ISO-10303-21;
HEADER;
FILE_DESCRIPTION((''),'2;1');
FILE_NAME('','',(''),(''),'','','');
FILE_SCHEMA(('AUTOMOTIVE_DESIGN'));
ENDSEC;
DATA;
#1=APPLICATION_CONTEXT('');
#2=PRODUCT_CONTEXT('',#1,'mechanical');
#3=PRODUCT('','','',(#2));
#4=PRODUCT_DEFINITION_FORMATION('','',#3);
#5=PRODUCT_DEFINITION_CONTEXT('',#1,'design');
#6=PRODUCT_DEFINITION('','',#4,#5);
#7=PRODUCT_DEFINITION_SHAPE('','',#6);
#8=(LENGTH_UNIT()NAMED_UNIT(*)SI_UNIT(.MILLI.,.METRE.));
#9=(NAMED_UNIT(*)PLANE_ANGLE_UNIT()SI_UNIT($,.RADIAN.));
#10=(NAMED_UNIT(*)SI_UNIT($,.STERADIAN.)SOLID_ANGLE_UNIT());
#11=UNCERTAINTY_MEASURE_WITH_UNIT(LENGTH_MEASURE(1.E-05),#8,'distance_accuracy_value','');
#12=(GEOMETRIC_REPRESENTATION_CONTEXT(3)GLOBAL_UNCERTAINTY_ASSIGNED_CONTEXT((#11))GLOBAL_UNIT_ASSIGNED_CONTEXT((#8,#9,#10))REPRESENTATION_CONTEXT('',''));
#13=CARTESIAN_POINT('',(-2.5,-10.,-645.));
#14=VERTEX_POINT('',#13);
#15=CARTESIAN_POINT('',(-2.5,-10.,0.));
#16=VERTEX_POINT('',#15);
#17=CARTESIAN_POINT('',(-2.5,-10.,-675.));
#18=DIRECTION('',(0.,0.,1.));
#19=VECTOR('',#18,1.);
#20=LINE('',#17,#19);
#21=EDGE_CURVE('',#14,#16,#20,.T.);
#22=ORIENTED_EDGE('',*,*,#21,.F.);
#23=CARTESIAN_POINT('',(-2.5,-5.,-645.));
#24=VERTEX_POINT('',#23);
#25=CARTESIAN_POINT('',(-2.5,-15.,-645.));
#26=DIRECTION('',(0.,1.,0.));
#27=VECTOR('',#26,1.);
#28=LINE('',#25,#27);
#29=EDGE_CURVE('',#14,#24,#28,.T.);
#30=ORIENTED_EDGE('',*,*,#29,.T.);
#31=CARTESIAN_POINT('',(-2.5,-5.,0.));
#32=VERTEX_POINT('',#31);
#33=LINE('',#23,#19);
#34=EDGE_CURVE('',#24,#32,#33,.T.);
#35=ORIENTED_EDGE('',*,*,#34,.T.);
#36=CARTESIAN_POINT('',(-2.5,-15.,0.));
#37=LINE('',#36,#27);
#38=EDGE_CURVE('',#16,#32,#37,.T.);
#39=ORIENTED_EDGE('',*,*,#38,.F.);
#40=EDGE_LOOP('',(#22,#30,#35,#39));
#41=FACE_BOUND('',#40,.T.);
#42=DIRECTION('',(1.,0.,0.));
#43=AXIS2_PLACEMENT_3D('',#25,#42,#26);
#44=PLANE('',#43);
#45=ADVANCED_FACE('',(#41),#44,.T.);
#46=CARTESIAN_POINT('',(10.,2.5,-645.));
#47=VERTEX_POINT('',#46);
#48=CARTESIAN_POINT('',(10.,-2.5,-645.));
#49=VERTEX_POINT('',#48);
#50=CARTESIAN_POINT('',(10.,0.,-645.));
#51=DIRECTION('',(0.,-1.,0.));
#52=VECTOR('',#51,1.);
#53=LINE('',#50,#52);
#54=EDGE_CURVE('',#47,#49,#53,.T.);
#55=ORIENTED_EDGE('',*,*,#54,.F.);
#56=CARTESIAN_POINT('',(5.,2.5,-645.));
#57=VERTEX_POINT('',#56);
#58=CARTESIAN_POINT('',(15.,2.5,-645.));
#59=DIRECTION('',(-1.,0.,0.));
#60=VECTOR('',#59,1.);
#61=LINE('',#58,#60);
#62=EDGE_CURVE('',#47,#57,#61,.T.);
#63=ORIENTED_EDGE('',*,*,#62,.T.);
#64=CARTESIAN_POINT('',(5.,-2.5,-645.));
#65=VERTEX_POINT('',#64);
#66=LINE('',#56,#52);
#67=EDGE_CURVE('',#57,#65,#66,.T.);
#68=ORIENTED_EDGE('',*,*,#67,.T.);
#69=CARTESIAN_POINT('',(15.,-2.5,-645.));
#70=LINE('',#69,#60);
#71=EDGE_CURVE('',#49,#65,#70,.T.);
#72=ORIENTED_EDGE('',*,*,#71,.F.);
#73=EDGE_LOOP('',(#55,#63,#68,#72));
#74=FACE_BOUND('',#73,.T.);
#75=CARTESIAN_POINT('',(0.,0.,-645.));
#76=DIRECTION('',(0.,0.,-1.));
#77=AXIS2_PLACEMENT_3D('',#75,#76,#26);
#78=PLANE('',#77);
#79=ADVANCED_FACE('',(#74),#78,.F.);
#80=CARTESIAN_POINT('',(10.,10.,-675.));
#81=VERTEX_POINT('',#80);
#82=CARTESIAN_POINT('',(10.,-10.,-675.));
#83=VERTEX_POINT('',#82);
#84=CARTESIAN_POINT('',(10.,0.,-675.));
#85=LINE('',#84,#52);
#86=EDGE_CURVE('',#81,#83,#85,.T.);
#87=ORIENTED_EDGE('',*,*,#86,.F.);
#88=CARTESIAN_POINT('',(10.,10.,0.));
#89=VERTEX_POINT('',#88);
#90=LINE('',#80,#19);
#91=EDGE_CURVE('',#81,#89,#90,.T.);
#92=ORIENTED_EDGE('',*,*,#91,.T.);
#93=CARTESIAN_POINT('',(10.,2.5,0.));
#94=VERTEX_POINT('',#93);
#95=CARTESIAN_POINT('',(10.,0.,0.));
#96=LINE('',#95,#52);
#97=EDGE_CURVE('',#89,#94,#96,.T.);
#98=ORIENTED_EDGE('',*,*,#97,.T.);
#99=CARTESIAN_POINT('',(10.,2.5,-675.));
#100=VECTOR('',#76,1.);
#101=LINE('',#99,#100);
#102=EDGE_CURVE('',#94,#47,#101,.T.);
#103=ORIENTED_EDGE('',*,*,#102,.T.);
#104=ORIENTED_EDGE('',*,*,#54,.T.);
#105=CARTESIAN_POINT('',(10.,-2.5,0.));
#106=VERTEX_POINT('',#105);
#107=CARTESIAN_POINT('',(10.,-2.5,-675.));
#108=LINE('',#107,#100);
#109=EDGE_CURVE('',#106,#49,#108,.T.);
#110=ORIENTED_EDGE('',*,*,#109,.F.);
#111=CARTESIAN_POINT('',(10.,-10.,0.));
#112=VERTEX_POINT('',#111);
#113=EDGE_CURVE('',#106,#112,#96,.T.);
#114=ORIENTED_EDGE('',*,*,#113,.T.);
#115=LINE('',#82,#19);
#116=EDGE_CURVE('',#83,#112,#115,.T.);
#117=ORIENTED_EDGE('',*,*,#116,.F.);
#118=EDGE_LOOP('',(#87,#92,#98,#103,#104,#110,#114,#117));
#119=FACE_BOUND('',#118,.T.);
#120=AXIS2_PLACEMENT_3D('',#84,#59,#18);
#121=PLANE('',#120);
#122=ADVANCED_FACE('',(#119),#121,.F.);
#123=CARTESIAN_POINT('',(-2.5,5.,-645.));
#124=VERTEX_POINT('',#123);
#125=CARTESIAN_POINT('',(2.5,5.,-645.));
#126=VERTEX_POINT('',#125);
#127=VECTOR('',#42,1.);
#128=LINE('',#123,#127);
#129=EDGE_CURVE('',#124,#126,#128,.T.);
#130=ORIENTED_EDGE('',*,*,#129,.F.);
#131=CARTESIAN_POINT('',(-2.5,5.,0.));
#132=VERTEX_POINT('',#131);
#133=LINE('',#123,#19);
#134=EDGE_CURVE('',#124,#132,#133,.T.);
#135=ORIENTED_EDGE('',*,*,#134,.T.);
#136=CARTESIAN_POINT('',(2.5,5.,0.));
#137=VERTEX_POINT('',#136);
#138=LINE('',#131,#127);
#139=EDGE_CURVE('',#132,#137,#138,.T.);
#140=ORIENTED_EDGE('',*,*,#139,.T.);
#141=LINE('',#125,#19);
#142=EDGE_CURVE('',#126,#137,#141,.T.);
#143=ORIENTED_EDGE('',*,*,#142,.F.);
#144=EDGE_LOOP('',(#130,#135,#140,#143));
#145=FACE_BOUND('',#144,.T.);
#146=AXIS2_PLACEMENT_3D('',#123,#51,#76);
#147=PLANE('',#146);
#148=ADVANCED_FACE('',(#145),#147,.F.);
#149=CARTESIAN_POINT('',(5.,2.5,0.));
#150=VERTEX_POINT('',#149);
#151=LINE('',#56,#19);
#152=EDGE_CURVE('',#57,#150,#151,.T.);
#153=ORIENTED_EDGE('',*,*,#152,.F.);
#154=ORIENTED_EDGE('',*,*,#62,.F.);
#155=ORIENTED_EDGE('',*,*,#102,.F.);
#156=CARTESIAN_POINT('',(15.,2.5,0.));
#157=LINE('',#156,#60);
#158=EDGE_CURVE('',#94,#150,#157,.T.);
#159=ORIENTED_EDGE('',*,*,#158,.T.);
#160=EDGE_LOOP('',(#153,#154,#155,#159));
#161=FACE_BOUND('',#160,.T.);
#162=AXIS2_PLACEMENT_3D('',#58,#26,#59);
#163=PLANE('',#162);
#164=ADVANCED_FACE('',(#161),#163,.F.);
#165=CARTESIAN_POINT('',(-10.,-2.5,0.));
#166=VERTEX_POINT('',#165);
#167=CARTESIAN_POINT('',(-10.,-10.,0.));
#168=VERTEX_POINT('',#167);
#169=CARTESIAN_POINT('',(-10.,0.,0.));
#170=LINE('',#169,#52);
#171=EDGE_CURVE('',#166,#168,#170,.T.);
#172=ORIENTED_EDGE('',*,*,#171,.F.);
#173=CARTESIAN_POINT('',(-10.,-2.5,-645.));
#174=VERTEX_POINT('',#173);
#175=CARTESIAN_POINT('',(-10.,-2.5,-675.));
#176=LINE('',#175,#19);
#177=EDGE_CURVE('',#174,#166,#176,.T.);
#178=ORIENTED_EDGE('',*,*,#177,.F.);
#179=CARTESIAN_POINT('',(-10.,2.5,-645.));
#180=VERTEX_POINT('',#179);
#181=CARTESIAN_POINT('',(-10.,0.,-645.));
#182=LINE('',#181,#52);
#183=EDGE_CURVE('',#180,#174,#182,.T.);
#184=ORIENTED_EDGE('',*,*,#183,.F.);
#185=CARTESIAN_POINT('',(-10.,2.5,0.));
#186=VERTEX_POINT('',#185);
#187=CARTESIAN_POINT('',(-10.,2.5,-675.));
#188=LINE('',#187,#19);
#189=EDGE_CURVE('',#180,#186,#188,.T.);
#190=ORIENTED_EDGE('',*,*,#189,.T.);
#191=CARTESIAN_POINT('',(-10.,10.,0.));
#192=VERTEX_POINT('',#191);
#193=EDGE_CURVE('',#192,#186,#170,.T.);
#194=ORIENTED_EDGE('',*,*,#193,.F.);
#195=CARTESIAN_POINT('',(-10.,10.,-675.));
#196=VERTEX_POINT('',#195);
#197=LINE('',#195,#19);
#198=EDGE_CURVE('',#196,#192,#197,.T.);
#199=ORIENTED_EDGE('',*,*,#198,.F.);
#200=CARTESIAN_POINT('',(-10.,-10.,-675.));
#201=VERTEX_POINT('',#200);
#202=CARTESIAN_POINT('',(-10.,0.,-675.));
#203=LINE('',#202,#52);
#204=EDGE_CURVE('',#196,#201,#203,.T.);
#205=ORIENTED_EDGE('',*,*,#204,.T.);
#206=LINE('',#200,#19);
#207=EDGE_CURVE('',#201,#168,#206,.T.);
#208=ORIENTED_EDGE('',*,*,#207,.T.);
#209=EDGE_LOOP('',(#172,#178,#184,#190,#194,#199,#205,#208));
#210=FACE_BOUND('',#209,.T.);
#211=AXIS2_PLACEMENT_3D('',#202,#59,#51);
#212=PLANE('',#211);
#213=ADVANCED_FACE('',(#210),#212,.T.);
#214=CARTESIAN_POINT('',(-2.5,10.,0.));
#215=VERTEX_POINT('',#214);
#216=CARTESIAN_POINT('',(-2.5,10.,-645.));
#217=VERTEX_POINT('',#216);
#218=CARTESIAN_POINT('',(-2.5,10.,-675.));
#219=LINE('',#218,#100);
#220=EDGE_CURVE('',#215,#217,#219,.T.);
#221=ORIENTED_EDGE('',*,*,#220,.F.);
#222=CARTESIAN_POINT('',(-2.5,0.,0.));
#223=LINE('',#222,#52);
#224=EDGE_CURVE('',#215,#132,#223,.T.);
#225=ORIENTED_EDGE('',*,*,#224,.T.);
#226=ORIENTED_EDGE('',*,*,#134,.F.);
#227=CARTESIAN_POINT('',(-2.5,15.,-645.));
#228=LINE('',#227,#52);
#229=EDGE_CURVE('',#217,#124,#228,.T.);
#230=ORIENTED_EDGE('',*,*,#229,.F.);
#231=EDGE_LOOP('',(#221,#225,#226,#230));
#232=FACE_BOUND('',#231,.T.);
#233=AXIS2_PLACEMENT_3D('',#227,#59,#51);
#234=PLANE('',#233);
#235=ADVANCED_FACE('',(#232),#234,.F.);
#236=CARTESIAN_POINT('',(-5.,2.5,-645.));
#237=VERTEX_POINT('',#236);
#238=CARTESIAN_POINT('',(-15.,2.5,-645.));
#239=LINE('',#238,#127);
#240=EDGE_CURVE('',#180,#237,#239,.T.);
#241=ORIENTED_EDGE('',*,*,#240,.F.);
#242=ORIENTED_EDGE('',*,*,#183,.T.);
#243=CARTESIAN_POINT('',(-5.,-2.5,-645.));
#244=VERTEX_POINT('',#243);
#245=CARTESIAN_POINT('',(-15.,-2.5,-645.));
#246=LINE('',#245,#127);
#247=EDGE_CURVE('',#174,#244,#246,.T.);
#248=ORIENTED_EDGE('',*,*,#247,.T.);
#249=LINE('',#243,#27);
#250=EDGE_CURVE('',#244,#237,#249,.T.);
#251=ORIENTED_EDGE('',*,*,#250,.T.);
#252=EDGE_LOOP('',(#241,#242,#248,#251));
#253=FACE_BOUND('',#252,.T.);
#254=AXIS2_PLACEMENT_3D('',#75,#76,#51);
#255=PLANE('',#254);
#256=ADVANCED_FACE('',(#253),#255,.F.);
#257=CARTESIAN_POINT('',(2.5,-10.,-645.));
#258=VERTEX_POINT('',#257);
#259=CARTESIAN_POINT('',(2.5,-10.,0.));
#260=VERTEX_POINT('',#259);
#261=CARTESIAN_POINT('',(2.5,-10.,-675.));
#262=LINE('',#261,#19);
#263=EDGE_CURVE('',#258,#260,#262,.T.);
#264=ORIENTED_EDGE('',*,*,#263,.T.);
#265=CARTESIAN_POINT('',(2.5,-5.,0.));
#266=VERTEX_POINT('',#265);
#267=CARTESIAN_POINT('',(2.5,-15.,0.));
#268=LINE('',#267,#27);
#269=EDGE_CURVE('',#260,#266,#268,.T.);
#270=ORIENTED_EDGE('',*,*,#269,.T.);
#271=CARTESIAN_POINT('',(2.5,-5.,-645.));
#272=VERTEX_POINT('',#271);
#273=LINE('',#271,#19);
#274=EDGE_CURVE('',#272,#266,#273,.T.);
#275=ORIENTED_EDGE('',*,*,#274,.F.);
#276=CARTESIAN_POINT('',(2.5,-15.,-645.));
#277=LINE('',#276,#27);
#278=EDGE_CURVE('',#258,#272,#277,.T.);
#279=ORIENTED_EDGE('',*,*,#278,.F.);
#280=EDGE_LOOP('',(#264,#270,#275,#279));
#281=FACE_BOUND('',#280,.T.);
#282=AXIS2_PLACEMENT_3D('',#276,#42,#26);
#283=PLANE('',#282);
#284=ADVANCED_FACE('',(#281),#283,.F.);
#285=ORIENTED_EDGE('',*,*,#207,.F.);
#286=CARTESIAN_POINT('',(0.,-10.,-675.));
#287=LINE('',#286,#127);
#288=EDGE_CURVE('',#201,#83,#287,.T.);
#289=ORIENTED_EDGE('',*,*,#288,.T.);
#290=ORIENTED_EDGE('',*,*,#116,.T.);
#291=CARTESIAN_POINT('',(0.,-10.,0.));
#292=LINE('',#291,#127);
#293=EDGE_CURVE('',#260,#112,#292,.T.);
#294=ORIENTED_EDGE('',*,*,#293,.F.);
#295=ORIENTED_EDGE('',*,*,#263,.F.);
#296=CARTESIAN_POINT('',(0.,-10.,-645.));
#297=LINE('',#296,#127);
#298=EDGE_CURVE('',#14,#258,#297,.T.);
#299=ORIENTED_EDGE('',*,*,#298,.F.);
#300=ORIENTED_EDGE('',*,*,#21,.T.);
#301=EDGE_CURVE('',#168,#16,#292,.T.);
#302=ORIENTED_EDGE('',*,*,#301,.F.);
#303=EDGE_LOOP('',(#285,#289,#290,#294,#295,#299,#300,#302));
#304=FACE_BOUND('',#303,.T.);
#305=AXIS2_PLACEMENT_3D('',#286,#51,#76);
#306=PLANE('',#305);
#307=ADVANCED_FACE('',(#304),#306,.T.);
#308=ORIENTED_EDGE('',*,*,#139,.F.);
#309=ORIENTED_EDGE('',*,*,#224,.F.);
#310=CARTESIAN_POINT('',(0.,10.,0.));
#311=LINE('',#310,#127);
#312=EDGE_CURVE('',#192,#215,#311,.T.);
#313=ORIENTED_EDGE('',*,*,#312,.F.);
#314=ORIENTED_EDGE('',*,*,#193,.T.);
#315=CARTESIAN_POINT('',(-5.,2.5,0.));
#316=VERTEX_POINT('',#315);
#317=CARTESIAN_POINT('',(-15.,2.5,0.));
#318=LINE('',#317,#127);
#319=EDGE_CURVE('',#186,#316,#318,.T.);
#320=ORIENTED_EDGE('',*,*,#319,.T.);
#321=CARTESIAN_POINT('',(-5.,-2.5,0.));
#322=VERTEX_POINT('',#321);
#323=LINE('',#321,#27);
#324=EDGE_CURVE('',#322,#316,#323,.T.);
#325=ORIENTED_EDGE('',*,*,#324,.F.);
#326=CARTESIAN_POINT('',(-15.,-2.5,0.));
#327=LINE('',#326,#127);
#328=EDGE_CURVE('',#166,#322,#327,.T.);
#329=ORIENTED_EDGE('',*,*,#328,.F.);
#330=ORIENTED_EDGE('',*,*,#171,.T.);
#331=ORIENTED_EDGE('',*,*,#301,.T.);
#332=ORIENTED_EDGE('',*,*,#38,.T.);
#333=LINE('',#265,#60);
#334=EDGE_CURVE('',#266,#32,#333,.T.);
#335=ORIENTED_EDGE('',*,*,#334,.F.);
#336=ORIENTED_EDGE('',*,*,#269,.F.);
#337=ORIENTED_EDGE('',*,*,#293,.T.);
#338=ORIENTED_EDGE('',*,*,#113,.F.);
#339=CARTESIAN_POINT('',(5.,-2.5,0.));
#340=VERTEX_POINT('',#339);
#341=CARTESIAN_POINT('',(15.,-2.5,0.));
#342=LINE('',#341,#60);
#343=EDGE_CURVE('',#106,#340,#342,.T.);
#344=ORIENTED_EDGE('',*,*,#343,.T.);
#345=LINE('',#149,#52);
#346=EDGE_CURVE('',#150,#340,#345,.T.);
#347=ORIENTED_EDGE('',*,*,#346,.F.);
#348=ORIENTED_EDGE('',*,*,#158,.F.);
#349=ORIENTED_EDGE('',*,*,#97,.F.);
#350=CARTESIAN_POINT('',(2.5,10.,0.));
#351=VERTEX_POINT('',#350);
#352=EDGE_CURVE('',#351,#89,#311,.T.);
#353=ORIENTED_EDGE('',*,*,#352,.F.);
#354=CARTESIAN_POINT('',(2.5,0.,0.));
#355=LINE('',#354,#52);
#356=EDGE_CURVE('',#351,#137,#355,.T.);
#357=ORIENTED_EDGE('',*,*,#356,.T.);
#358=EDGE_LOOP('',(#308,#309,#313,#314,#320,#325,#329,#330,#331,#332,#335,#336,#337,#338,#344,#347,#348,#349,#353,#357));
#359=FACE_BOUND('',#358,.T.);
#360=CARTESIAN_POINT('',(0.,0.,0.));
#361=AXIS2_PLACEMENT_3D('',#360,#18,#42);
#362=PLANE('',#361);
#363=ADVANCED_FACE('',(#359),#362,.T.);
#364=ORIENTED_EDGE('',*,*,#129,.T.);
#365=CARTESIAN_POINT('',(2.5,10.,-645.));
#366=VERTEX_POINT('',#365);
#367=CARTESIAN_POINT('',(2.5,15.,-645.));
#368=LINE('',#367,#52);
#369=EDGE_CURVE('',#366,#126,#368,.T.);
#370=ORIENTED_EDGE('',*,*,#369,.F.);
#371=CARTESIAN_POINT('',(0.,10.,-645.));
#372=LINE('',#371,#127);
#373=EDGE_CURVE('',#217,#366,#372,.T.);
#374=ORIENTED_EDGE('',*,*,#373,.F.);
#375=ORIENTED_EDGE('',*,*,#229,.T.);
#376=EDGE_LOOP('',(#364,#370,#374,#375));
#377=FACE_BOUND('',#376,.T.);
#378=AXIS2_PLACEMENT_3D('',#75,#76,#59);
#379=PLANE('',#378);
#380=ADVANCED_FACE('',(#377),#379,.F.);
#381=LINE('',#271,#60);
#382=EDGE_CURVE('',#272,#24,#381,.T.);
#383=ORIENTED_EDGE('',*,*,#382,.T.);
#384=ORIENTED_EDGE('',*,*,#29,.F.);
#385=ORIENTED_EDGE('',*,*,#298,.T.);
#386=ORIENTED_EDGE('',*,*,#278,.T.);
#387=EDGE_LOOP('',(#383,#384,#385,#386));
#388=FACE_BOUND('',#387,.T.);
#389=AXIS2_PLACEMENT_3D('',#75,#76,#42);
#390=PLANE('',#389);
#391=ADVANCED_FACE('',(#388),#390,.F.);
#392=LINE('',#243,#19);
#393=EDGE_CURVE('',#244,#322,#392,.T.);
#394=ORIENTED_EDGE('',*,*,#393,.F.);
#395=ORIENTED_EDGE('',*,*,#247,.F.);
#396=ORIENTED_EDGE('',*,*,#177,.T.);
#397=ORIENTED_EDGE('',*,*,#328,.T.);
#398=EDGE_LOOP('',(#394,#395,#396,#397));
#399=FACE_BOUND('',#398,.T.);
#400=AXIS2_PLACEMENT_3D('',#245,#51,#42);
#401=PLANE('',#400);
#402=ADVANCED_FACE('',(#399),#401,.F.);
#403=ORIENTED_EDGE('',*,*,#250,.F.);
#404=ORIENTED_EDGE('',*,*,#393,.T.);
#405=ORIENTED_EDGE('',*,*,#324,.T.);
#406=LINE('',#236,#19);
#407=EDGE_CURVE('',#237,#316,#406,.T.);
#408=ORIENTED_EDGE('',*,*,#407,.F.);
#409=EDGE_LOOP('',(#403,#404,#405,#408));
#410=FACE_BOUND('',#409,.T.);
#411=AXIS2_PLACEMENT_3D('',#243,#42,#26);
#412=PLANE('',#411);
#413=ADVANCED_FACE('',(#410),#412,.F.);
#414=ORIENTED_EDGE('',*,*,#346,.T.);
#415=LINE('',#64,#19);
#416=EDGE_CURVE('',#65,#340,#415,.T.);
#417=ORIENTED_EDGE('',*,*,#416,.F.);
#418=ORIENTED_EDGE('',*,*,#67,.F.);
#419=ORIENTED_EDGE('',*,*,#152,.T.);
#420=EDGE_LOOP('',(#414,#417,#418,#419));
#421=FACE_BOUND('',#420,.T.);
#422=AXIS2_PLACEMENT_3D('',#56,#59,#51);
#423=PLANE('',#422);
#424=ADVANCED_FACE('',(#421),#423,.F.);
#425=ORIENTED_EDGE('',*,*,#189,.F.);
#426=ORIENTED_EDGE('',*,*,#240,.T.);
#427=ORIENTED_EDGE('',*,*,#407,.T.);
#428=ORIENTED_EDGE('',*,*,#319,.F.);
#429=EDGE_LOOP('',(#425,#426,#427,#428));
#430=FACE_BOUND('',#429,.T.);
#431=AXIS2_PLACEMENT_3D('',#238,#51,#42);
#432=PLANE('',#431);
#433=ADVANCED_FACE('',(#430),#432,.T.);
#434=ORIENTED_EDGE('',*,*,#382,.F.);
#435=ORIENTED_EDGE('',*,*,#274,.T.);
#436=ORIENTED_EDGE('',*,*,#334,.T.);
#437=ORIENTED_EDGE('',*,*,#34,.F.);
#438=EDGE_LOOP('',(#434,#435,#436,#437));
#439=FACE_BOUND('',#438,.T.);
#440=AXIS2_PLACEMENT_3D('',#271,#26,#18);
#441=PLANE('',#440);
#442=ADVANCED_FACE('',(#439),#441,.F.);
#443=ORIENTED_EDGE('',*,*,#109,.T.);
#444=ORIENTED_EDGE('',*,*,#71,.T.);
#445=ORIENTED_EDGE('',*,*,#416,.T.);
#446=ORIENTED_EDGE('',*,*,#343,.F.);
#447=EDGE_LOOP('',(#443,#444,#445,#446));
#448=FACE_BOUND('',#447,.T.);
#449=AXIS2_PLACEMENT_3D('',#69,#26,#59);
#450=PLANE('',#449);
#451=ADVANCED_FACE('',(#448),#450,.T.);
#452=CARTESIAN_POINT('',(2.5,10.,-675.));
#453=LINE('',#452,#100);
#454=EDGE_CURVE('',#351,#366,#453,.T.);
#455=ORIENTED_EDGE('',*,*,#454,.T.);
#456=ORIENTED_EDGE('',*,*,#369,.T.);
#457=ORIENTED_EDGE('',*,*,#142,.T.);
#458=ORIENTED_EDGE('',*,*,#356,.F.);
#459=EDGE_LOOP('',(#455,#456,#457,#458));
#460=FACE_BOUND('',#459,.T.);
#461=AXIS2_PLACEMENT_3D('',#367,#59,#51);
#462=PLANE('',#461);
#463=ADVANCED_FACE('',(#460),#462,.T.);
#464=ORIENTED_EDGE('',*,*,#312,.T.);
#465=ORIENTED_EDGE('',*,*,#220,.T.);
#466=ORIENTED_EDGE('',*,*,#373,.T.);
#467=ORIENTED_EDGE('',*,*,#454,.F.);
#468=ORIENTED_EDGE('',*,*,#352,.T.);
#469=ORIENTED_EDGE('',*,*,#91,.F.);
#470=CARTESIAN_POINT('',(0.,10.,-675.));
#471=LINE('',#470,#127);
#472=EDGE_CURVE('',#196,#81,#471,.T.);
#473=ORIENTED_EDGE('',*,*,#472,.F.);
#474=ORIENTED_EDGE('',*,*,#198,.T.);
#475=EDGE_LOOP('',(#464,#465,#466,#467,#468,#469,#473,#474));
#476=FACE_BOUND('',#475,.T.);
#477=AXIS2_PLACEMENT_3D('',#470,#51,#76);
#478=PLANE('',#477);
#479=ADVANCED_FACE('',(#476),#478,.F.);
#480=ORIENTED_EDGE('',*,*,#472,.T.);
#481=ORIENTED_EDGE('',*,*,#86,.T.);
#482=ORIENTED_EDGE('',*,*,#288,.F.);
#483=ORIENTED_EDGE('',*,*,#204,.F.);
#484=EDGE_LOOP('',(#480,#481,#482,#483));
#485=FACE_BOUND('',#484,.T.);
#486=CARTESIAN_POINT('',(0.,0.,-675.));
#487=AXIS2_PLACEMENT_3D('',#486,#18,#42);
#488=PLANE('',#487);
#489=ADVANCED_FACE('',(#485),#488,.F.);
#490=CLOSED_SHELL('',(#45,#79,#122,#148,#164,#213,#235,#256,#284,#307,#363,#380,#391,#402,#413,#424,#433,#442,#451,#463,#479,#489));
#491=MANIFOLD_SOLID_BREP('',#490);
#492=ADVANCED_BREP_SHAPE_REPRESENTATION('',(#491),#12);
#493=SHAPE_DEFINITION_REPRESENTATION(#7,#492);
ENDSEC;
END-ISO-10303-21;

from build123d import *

# Parameters (mm, degrees)
SKETCH1_W           = 20
SKETCH1_H           = 20
BOSS_EXTRUDE1_DEPTH = 675
SKETCH1_3_W         = 5
SKETCH1_3_H         = 10
CUT_EXTRUDE1_DEPTH  = 645
CIRPATTERN1_COUNT   = 4


with BuildPart() as part:
    # Sketch1 → Boss-Extrude1 (new body)
    with BuildSketch(Plane.XY):
        Rectangle(SKETCH1_W, SKETCH1_H)
    extrude(amount=-BOSS_EXTRUDE1_DEPTH)

    # Sketch1<3> → Cut-Extrude1 (cut)
    with BuildSketch(Plane.XY):
        with Locations((0, 10)):
            Rectangle(SKETCH1_3_W, SKETCH1_3_H)
    cut_extrude1 = extrude(amount=-CUT_EXTRUDE1_DEPTH, mode=Mode.SUBTRACT)

    # CirPattern1: Cut-Extrude1 ×4 about axis
    cirpattern1_axis = Axis((0, 0, 32.25), (0, 0, -1))
    for i in range(1, CIRPATTERN1_COUNT):
        add(cut_extrude1.rotate(cirpattern1_axis, i * 360 / CIRPATTERN1_COUNT), mode=Mode.SUBTRACT)


solid = part.part
